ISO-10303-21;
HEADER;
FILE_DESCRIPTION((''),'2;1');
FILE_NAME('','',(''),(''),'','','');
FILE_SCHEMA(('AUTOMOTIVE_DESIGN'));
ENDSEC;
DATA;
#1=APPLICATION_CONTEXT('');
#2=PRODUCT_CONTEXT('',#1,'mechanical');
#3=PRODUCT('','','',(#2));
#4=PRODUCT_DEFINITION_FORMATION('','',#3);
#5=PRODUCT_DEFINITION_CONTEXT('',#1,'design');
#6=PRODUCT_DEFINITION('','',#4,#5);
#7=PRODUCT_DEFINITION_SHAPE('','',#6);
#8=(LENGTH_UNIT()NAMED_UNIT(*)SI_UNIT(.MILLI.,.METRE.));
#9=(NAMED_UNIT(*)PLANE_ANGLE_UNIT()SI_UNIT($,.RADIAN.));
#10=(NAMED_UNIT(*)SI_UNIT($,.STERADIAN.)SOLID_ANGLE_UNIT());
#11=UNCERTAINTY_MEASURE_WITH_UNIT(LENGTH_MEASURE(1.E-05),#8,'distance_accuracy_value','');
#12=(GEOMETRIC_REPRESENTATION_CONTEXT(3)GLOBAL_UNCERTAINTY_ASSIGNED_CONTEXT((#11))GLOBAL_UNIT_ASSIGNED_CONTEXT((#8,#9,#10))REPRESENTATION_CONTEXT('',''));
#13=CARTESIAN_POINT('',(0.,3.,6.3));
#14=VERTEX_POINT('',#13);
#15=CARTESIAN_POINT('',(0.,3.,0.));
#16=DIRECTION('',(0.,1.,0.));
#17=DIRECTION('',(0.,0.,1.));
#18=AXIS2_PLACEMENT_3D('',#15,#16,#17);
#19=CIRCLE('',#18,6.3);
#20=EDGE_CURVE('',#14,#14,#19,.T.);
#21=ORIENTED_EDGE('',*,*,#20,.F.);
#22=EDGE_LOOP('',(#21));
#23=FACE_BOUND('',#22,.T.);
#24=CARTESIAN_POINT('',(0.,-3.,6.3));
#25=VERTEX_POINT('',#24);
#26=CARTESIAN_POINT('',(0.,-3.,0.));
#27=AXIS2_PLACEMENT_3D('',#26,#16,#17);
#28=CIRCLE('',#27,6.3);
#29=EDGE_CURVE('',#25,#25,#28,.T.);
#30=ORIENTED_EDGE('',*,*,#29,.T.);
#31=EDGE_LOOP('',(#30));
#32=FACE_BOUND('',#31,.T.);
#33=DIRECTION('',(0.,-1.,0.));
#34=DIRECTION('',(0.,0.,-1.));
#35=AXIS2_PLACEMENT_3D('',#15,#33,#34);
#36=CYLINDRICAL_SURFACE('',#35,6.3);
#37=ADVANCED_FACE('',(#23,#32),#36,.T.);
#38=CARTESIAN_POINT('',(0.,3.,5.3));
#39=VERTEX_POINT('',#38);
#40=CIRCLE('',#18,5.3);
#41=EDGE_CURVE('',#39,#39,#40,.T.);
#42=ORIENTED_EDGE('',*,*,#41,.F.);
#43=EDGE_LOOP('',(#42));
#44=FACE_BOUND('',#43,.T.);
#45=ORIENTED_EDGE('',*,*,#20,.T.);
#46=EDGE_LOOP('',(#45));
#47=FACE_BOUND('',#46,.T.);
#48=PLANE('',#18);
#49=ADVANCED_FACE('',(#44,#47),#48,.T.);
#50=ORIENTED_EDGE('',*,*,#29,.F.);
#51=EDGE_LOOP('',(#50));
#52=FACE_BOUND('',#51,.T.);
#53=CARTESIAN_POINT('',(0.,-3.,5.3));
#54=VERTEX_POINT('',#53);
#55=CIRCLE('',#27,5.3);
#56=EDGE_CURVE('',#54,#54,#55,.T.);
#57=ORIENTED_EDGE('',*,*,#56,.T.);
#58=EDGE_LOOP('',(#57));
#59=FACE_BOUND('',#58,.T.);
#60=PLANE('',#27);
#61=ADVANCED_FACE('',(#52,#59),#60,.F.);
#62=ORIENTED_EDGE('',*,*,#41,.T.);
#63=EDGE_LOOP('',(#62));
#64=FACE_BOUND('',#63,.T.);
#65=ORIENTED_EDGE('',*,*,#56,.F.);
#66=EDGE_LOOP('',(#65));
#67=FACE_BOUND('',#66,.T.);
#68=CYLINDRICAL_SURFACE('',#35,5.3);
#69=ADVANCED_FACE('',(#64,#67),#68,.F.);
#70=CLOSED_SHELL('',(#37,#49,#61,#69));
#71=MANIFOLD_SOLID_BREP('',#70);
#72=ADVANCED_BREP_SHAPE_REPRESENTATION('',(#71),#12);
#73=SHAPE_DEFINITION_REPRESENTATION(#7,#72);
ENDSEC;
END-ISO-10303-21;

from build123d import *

# Parameters (mm, degrees)
SKETCH1_R           = 6.3
SKETCH1_R_2         = 5.3
BOSS_EXTRUDE1_DEPTH = 3


with BuildPart() as part:
    # Sketch1 → Boss-Extrude1 (new body, symmetric)
    with BuildSketch(Plane(origin=(0, 0, 0), x_dir=(1, 0, 0), z_dir=(0, 1, 0))):
        Circle(SKETCH1_R)
        Circle(SKETCH1_R_2, mode=Mode.SUBTRACT)
    extrude(amount=BOSS_EXTRUDE1_DEPTH, both=True)


solid = part.part
